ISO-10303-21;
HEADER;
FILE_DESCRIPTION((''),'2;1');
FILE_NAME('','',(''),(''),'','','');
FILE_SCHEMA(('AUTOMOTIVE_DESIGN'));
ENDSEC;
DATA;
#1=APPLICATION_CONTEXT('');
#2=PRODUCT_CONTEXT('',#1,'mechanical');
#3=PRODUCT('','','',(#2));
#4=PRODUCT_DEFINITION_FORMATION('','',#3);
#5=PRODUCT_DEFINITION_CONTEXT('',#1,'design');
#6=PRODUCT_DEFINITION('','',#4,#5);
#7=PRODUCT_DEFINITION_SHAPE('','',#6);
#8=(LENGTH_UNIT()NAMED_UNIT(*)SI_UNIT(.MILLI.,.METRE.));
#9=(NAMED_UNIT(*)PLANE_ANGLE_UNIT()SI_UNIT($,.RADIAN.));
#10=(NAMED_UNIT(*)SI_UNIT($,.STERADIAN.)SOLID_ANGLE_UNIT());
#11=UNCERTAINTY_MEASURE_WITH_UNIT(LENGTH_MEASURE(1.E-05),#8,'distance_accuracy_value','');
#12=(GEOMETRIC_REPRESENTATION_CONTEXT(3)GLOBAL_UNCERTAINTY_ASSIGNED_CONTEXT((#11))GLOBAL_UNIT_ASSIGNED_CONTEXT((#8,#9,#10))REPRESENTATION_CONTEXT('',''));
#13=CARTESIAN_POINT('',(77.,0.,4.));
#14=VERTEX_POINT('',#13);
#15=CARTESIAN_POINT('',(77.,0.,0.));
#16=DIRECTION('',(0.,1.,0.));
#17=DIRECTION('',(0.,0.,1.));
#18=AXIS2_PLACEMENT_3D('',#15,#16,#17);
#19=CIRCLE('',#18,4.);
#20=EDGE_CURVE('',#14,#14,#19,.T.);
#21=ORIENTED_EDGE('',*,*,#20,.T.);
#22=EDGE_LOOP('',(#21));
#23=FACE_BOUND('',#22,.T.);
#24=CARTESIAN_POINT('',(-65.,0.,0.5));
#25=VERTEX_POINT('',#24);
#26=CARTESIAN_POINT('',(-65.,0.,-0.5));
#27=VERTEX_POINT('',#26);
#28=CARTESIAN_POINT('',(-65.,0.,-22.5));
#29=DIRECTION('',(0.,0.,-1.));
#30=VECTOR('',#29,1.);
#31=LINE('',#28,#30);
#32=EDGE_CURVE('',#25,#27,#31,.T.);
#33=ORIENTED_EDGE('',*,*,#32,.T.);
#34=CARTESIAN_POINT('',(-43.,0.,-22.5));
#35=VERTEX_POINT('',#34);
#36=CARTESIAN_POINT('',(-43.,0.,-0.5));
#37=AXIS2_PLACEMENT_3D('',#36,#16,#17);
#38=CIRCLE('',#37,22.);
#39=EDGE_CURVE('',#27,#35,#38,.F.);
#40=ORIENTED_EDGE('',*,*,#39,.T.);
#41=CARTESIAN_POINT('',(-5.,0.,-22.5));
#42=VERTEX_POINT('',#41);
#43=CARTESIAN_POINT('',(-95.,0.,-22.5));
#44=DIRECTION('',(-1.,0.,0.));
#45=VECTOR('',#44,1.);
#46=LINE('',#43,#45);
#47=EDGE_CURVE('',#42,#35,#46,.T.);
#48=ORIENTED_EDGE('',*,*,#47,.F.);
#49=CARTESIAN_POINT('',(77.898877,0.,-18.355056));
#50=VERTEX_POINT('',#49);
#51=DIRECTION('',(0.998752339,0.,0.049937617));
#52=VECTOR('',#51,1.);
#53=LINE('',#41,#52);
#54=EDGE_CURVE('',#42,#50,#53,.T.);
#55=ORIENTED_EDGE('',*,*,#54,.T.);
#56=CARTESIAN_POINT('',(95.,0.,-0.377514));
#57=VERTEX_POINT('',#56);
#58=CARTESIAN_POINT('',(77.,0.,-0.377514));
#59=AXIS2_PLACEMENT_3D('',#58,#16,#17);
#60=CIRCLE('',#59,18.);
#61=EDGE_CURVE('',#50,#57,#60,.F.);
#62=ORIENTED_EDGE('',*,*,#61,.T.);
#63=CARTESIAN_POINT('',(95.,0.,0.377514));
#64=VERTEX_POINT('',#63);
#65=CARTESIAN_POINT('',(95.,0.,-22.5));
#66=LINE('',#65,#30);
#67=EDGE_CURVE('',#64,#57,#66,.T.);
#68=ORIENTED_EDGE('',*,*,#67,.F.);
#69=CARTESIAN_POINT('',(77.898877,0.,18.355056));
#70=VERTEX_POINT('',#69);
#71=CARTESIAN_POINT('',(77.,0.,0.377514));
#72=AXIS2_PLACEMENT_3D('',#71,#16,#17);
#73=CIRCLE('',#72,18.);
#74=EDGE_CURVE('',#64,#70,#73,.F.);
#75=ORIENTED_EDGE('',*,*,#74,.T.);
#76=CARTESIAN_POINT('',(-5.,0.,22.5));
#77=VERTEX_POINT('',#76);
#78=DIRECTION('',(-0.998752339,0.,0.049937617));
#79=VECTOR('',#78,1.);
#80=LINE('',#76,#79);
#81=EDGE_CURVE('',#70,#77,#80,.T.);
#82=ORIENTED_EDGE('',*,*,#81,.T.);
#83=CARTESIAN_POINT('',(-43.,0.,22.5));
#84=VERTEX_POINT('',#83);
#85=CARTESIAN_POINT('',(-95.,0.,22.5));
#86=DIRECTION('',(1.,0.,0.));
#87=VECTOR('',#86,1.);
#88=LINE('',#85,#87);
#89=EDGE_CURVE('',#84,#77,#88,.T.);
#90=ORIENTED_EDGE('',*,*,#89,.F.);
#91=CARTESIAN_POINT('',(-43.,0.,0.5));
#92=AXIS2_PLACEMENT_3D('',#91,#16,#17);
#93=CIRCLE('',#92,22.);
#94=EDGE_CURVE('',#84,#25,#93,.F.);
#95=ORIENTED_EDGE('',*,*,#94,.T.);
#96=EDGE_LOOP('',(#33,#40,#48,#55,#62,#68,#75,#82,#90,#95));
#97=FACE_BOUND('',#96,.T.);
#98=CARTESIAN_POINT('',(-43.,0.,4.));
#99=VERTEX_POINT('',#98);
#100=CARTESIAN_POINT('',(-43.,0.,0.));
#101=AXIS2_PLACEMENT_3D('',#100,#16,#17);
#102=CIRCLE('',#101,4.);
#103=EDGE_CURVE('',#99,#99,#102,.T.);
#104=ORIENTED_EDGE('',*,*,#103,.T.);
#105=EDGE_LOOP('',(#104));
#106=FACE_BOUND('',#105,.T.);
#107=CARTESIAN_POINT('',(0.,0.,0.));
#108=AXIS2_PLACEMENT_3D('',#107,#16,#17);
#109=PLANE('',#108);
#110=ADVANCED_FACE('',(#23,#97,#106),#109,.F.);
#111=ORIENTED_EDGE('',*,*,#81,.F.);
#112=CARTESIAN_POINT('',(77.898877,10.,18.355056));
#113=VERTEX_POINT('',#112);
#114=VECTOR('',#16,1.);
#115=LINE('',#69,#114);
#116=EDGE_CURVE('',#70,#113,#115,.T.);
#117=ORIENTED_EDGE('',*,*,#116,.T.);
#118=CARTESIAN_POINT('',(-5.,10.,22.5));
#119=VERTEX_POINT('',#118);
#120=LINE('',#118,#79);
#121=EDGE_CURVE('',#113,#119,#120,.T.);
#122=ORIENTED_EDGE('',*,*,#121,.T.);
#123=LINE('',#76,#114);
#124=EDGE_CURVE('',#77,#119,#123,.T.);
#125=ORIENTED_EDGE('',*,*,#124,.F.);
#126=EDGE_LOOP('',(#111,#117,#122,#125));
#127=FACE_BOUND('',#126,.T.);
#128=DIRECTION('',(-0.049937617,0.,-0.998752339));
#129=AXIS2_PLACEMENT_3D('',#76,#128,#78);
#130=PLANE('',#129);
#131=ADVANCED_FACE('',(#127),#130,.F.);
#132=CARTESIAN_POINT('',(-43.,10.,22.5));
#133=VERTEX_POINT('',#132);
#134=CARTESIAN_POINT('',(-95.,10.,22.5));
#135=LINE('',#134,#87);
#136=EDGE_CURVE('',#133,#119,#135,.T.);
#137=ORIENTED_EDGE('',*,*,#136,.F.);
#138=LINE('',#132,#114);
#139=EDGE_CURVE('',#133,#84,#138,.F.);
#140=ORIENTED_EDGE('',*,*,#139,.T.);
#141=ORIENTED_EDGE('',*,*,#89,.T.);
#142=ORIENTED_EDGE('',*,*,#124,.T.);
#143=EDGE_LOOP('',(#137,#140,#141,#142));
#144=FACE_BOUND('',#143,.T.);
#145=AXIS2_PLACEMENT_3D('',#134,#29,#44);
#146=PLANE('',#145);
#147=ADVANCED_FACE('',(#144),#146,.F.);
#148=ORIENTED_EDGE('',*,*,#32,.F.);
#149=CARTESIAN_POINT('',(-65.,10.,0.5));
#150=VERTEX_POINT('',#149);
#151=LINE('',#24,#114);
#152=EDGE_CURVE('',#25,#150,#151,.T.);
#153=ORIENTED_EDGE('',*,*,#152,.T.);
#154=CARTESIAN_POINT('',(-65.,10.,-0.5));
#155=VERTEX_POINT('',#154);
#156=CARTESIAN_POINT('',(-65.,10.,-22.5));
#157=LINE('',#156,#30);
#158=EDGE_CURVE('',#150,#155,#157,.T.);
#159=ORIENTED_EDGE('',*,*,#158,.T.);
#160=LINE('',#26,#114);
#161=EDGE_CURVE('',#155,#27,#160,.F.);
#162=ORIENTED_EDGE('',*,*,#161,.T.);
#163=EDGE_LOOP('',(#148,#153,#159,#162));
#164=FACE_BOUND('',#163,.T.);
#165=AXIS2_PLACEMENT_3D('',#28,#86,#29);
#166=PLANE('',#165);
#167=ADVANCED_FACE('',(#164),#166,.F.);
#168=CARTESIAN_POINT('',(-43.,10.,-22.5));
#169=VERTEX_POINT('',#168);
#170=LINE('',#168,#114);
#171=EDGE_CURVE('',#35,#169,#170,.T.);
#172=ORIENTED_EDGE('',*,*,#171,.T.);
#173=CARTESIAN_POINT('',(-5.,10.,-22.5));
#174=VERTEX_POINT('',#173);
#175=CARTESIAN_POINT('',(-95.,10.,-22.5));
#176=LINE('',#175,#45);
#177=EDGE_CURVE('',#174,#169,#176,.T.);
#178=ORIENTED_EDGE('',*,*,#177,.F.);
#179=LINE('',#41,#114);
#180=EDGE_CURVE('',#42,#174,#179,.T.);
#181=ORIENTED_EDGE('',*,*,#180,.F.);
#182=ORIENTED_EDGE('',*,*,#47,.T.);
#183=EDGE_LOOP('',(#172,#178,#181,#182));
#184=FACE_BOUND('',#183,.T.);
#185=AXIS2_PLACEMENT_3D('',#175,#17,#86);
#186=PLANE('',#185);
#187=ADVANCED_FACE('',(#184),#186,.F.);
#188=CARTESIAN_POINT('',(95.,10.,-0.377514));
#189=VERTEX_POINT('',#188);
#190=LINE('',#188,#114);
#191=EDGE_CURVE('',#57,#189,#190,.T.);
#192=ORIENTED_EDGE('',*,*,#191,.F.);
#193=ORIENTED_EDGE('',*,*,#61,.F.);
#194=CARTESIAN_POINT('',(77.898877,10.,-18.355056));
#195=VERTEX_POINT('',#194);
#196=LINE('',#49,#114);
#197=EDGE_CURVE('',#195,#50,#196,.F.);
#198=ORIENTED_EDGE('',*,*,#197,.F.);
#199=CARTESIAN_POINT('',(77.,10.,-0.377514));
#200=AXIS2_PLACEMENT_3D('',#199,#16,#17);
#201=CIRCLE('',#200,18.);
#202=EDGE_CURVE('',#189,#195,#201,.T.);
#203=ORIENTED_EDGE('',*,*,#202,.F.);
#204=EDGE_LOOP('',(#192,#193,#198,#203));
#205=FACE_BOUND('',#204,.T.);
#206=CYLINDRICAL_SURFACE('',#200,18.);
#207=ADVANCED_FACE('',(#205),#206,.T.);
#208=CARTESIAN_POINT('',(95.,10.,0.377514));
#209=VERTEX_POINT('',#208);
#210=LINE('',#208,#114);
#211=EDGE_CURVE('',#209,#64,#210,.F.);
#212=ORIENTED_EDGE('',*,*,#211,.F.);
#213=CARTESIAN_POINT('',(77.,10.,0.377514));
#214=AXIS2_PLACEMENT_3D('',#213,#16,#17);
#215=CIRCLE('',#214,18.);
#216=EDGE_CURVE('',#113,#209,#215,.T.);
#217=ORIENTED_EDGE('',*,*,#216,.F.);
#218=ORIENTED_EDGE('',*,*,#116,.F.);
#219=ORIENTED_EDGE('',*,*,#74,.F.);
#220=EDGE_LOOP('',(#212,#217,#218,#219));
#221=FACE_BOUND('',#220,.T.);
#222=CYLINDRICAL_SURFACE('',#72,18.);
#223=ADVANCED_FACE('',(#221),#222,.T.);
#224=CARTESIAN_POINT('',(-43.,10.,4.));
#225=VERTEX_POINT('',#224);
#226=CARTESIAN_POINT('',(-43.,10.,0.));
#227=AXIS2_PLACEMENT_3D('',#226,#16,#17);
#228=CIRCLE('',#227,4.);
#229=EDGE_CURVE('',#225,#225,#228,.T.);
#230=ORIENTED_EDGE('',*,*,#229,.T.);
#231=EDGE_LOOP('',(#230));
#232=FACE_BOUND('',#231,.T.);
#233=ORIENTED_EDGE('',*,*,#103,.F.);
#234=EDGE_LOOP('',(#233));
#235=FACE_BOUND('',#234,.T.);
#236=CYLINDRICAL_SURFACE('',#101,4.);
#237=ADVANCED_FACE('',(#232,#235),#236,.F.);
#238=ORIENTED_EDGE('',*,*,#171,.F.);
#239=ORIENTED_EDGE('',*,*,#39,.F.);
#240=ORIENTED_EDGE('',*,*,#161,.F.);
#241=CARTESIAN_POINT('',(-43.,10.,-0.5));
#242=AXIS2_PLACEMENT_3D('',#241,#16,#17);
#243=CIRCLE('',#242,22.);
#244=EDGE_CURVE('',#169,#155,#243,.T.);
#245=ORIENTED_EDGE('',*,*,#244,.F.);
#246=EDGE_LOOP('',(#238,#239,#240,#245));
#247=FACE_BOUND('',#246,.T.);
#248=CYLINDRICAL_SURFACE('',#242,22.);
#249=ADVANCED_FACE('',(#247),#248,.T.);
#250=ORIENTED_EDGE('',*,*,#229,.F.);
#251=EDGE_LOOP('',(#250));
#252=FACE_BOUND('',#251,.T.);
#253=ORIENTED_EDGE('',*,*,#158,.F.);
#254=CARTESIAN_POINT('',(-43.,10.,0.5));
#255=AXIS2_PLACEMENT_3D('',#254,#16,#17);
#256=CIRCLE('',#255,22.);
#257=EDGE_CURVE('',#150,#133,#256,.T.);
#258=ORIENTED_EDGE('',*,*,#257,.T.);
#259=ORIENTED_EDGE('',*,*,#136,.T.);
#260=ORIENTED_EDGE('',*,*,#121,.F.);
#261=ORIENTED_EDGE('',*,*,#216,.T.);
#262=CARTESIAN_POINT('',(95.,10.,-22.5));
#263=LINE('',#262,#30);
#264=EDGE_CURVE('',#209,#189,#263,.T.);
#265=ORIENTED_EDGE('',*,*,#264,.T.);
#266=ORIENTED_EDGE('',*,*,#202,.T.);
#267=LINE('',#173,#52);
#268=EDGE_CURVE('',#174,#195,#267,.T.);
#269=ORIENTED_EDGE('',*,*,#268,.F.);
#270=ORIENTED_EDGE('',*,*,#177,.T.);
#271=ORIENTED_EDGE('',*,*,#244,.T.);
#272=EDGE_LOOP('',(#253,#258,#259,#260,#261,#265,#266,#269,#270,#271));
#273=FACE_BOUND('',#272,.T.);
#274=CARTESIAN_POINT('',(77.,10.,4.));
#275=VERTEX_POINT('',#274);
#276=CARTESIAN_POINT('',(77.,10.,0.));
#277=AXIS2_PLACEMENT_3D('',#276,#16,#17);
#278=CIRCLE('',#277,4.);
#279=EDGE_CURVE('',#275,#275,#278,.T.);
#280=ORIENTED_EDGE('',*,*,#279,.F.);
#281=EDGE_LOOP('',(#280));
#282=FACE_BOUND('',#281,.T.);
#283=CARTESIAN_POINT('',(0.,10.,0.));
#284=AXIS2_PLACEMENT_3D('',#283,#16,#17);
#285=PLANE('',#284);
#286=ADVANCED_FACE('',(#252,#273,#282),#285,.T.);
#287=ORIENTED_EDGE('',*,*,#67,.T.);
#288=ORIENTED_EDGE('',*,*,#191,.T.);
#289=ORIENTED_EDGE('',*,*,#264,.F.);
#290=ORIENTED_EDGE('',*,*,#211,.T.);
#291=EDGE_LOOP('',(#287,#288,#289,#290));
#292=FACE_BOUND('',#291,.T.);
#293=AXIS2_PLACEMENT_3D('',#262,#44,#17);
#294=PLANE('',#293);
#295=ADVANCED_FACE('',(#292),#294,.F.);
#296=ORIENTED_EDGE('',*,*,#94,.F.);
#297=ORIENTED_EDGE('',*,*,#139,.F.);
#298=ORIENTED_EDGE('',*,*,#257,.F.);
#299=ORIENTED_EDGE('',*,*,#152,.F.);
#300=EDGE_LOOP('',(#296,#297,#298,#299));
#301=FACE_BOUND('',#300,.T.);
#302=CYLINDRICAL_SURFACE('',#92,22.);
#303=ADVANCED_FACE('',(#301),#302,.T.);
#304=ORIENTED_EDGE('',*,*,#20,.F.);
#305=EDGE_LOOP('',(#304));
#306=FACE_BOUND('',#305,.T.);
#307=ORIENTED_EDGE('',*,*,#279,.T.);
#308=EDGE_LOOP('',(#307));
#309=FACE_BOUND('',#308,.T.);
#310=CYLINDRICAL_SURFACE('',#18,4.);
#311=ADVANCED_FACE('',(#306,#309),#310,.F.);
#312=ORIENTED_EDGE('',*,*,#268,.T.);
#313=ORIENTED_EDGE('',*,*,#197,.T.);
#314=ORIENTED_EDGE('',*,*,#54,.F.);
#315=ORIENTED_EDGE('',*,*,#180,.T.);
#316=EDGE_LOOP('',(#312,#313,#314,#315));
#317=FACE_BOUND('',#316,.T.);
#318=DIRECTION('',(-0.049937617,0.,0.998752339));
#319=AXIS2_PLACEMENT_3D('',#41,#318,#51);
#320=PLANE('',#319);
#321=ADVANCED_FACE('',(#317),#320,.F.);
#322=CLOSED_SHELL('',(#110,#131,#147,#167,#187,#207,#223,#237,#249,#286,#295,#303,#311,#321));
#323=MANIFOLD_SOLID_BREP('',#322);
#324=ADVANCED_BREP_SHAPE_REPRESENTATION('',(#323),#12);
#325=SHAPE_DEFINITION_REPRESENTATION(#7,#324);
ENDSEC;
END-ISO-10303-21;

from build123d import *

# Parameters (mm, degrees)
SKETCH1_W           = 190
SKETCH1_H           = 45
BOSS_EXTRUDE1_DEPTH = 10
SKETCH2_R           = 4
CUT_EXTRUDE1_DEPTH  = 10
SKETCH3_W           = 30
SKETCH3_H           = 45
CUT_EXTRUDE2_DEPTH  = 10
FILLET1_R           = 18
FILLET2_R           = 22


with BuildPart() as part:
    # Sketch1 → Boss-Extrude1 (new body)
    with BuildSketch(Plane(origin=(0, 0, 0), x_dir=(1, 0, 0), z_dir=(0, 1, 0))):
        Rectangle(SKETCH1_W, SKETCH1_H)
    extrude(amount=BOSS_EXTRUDE1_DEPTH)

    # Sketch2 → Cut-Extrude1 (cut)
    with BuildSketch(Plane(origin=(0, 10, 0), x_dir=(1, 0, 0), z_dir=(0, 1, 0))):
        with Locations(Location((-43, 0, 0), (0, 0, 270))):
            Circle(SKETCH2_R)
        with Locations(Location((77, 0, 0), (0, 0, 270))):
            Circle(SKETCH2_R)
    extrude(amount=-CUT_EXTRUDE1_DEPTH, mode=Mode.SUBTRACT)

    # Sketch3 → Cut-Extrude2 (cut)
    with BuildSketch(Plane(origin=(0, 10, 0), x_dir=(1, 0, 0), z_dir=(0, 1, 0))):
        Polygon((95, -22.5), (-5, -22.5), (95, -17.5), align=None)
        Polygon((-5, 22.5), (95, 17.5), (95, 22.5), align=None)
        with Locations((-80, 0)):
            Rectangle(SKETCH3_W, SKETCH3_H)
    extrude(amount=-CUT_EXTRUDE2_DEPTH, mode=Mode.SUBTRACT)

    # Fillet1
    fillet1_edges = [part.edges().sort_by_distance(p)[0] for p in [
        (95, 5, -17.5),
        (95, 5, 17.5),
    ]]
    fillet(fillet1_edges, radius=FILLET1_R)

    # Fillet2
    fillet2_edges = [part.edges().sort_by_distance(p)[0] for p in [
        (-65, 5, -22.5),
        (-65, 5, 22.5),
    ]]
    fillet(fillet2_edges, radius=FILLET2_R)


solid = part.part
